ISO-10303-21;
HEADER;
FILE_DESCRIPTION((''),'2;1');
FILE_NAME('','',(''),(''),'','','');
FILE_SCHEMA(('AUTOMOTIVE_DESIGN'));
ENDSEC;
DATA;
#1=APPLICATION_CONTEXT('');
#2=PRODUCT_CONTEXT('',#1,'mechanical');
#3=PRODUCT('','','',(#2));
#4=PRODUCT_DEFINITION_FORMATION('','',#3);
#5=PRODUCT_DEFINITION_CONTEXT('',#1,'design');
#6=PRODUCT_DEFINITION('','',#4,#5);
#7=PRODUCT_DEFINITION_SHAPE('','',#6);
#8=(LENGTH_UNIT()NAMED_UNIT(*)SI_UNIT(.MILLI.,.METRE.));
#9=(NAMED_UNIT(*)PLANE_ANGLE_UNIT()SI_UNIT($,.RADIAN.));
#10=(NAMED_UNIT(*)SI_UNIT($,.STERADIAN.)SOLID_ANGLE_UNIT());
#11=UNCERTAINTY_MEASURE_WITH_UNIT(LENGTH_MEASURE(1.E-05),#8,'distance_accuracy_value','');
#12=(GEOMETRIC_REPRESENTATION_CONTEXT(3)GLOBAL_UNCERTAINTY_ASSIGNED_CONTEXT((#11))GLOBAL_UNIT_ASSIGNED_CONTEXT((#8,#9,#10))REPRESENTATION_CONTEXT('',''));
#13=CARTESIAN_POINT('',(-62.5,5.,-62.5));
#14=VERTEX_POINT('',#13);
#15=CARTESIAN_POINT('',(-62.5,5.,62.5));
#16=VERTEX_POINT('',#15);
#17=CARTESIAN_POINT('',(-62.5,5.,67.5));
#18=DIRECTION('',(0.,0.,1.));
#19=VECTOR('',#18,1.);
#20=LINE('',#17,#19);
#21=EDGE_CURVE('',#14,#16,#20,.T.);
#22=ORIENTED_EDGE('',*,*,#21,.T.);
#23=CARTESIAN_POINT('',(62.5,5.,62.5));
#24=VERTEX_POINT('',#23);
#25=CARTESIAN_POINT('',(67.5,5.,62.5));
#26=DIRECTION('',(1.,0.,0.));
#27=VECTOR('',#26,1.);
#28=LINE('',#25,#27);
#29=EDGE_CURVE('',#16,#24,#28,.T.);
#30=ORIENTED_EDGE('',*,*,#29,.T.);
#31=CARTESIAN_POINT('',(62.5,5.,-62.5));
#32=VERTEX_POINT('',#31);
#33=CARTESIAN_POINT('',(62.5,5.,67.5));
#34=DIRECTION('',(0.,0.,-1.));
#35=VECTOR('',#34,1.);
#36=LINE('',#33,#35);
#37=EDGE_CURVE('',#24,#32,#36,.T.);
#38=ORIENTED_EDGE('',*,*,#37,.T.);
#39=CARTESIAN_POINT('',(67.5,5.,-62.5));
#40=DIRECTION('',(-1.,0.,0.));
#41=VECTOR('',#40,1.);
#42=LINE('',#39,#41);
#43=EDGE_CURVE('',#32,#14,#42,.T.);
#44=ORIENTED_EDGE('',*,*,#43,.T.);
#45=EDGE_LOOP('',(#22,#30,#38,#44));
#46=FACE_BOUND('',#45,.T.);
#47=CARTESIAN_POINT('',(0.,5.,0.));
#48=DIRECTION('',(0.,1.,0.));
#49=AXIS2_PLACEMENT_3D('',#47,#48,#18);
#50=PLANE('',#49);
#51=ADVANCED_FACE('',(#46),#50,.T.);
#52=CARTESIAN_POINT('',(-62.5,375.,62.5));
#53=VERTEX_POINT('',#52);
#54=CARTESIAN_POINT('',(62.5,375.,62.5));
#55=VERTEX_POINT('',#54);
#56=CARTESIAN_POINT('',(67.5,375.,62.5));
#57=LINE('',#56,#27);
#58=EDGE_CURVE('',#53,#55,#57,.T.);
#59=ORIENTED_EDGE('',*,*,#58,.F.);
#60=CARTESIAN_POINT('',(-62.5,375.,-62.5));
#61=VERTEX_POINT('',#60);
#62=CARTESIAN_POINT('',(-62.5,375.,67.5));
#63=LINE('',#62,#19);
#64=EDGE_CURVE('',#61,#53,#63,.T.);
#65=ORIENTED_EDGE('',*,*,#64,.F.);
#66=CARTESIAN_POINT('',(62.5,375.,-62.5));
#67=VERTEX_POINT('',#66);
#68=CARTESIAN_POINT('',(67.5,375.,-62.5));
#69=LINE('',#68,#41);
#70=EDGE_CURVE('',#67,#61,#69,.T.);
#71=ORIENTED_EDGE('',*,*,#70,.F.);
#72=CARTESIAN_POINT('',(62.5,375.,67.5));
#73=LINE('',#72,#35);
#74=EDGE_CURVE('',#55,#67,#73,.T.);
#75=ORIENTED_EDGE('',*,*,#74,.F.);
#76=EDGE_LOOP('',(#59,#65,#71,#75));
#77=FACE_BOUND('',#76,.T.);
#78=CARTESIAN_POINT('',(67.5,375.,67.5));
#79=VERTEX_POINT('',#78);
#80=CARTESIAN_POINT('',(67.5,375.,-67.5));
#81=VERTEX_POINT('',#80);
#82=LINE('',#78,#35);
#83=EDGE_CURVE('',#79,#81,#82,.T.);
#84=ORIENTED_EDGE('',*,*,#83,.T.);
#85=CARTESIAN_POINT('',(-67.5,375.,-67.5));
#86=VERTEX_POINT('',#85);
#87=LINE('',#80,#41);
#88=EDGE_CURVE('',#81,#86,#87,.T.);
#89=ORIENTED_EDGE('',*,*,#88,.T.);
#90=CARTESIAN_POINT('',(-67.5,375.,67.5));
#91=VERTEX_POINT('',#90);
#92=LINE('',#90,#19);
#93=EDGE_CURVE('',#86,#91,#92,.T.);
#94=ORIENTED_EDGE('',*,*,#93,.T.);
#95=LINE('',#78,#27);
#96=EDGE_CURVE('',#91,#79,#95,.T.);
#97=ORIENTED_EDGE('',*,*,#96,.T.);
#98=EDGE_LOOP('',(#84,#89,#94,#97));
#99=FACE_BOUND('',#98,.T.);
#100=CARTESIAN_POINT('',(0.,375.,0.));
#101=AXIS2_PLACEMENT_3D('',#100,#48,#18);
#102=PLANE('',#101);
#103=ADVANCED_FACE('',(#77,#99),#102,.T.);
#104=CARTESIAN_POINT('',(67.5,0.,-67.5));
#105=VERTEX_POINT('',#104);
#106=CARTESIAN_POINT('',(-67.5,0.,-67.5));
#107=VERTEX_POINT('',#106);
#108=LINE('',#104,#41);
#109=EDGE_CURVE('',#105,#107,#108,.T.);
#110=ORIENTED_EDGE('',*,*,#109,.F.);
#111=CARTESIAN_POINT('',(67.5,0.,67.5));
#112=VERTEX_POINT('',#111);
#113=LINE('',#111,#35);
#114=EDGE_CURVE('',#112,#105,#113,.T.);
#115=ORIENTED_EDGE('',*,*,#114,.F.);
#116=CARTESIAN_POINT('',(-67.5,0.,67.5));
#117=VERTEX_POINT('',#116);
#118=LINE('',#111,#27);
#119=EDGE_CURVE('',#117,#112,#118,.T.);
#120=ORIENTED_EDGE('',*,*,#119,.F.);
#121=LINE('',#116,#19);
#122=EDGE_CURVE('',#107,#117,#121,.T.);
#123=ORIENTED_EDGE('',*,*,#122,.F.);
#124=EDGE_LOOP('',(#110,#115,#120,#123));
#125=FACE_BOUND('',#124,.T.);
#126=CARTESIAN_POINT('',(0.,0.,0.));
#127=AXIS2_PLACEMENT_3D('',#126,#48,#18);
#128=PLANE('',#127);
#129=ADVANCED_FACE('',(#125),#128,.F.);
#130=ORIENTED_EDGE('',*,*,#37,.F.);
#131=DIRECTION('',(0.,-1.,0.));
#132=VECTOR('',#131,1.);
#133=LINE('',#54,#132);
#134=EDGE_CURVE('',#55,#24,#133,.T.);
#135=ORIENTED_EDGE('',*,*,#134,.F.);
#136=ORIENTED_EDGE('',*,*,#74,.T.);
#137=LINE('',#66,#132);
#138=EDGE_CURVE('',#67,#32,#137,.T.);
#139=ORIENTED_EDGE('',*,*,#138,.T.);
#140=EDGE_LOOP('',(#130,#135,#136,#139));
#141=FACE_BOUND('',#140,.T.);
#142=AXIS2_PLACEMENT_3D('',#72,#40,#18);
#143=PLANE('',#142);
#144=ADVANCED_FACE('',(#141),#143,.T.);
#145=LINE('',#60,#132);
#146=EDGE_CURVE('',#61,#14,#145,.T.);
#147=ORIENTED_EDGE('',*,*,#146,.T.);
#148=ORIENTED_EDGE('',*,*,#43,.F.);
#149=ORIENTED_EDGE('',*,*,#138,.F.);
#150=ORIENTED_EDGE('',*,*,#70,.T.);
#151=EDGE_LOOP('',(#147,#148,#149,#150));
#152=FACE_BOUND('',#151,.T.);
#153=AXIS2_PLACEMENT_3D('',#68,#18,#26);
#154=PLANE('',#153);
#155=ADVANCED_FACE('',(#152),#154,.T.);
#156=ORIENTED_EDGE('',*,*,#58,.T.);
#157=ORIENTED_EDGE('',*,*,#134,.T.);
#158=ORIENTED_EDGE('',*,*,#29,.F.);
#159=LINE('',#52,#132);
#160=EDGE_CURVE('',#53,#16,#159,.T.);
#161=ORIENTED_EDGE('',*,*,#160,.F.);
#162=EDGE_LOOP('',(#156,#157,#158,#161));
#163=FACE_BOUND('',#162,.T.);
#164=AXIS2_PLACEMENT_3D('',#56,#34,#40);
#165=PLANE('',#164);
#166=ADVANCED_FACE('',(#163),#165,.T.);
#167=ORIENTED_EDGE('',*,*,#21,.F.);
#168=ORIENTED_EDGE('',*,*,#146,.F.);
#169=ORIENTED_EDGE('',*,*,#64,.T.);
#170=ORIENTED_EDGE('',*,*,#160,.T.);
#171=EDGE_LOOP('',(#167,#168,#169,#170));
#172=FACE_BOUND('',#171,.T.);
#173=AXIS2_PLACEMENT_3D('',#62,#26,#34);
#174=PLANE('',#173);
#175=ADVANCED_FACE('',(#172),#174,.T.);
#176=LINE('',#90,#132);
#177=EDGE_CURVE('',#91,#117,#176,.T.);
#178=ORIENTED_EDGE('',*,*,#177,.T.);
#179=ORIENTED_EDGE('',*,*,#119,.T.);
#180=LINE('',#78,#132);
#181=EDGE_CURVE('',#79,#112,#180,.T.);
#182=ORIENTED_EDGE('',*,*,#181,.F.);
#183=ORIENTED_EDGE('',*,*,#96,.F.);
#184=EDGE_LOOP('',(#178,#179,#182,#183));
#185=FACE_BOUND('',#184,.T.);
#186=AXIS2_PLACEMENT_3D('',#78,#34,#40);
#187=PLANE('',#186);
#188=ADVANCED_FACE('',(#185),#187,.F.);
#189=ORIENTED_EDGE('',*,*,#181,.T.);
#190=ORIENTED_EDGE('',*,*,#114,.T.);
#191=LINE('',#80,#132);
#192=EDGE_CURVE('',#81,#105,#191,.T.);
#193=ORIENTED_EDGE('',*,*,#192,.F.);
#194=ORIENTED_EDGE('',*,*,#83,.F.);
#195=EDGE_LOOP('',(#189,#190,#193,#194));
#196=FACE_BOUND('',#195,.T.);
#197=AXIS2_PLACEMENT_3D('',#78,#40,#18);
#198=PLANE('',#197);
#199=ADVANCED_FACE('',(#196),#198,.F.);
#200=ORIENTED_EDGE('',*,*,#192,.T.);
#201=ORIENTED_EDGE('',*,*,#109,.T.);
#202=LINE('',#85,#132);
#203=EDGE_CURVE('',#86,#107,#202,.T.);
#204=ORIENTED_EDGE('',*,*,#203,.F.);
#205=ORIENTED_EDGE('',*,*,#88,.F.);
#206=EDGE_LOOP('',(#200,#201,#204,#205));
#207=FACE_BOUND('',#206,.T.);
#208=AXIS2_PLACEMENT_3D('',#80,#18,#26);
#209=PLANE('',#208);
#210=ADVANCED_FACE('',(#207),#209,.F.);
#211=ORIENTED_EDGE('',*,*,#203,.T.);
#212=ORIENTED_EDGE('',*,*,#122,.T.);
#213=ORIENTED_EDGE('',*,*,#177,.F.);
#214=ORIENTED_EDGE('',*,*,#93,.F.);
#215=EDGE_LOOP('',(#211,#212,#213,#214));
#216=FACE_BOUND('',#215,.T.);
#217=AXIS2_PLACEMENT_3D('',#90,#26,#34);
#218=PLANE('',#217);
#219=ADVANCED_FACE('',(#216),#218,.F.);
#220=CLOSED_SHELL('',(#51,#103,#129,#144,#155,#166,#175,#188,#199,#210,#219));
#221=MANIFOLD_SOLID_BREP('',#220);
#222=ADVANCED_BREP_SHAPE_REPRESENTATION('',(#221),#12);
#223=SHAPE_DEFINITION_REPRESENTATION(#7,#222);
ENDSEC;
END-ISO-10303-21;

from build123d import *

# Parameters (mm, degrees)
SKETCH1_W           = 27
SKETCH1_H           = 27
BOSS_EXTRUDE2_DEPTH = 75
SHELL1_T            = -1
SCALE1_SCALE        = 5


with BuildPart() as part:
    # Sketch1 → Boss-Extrude2 (new body)
    with BuildSketch(Plane(origin=(0, 0, 0), x_dir=(1, 0, 0), z_dir=(0, 1, 0))):
        Rectangle(SKETCH1_W, SKETCH1_H)
    extrude(amount=BOSS_EXTRUDE2_DEPTH)

    # Shell1
    shell1_openings = [part.faces().sort_by_distance(p)[0] for p in [
        (0, 75, 0),
    ]]
    offset(amount=SHELL1_T, openings=shell1_openings, kind=Kind.INTERSECTION)


with BuildPart() as part_1:
    # Scale1: scaled about (0, 0, 0)
    add(part.part.scale(SCALE1_SCALE))


solid = part_1.part
